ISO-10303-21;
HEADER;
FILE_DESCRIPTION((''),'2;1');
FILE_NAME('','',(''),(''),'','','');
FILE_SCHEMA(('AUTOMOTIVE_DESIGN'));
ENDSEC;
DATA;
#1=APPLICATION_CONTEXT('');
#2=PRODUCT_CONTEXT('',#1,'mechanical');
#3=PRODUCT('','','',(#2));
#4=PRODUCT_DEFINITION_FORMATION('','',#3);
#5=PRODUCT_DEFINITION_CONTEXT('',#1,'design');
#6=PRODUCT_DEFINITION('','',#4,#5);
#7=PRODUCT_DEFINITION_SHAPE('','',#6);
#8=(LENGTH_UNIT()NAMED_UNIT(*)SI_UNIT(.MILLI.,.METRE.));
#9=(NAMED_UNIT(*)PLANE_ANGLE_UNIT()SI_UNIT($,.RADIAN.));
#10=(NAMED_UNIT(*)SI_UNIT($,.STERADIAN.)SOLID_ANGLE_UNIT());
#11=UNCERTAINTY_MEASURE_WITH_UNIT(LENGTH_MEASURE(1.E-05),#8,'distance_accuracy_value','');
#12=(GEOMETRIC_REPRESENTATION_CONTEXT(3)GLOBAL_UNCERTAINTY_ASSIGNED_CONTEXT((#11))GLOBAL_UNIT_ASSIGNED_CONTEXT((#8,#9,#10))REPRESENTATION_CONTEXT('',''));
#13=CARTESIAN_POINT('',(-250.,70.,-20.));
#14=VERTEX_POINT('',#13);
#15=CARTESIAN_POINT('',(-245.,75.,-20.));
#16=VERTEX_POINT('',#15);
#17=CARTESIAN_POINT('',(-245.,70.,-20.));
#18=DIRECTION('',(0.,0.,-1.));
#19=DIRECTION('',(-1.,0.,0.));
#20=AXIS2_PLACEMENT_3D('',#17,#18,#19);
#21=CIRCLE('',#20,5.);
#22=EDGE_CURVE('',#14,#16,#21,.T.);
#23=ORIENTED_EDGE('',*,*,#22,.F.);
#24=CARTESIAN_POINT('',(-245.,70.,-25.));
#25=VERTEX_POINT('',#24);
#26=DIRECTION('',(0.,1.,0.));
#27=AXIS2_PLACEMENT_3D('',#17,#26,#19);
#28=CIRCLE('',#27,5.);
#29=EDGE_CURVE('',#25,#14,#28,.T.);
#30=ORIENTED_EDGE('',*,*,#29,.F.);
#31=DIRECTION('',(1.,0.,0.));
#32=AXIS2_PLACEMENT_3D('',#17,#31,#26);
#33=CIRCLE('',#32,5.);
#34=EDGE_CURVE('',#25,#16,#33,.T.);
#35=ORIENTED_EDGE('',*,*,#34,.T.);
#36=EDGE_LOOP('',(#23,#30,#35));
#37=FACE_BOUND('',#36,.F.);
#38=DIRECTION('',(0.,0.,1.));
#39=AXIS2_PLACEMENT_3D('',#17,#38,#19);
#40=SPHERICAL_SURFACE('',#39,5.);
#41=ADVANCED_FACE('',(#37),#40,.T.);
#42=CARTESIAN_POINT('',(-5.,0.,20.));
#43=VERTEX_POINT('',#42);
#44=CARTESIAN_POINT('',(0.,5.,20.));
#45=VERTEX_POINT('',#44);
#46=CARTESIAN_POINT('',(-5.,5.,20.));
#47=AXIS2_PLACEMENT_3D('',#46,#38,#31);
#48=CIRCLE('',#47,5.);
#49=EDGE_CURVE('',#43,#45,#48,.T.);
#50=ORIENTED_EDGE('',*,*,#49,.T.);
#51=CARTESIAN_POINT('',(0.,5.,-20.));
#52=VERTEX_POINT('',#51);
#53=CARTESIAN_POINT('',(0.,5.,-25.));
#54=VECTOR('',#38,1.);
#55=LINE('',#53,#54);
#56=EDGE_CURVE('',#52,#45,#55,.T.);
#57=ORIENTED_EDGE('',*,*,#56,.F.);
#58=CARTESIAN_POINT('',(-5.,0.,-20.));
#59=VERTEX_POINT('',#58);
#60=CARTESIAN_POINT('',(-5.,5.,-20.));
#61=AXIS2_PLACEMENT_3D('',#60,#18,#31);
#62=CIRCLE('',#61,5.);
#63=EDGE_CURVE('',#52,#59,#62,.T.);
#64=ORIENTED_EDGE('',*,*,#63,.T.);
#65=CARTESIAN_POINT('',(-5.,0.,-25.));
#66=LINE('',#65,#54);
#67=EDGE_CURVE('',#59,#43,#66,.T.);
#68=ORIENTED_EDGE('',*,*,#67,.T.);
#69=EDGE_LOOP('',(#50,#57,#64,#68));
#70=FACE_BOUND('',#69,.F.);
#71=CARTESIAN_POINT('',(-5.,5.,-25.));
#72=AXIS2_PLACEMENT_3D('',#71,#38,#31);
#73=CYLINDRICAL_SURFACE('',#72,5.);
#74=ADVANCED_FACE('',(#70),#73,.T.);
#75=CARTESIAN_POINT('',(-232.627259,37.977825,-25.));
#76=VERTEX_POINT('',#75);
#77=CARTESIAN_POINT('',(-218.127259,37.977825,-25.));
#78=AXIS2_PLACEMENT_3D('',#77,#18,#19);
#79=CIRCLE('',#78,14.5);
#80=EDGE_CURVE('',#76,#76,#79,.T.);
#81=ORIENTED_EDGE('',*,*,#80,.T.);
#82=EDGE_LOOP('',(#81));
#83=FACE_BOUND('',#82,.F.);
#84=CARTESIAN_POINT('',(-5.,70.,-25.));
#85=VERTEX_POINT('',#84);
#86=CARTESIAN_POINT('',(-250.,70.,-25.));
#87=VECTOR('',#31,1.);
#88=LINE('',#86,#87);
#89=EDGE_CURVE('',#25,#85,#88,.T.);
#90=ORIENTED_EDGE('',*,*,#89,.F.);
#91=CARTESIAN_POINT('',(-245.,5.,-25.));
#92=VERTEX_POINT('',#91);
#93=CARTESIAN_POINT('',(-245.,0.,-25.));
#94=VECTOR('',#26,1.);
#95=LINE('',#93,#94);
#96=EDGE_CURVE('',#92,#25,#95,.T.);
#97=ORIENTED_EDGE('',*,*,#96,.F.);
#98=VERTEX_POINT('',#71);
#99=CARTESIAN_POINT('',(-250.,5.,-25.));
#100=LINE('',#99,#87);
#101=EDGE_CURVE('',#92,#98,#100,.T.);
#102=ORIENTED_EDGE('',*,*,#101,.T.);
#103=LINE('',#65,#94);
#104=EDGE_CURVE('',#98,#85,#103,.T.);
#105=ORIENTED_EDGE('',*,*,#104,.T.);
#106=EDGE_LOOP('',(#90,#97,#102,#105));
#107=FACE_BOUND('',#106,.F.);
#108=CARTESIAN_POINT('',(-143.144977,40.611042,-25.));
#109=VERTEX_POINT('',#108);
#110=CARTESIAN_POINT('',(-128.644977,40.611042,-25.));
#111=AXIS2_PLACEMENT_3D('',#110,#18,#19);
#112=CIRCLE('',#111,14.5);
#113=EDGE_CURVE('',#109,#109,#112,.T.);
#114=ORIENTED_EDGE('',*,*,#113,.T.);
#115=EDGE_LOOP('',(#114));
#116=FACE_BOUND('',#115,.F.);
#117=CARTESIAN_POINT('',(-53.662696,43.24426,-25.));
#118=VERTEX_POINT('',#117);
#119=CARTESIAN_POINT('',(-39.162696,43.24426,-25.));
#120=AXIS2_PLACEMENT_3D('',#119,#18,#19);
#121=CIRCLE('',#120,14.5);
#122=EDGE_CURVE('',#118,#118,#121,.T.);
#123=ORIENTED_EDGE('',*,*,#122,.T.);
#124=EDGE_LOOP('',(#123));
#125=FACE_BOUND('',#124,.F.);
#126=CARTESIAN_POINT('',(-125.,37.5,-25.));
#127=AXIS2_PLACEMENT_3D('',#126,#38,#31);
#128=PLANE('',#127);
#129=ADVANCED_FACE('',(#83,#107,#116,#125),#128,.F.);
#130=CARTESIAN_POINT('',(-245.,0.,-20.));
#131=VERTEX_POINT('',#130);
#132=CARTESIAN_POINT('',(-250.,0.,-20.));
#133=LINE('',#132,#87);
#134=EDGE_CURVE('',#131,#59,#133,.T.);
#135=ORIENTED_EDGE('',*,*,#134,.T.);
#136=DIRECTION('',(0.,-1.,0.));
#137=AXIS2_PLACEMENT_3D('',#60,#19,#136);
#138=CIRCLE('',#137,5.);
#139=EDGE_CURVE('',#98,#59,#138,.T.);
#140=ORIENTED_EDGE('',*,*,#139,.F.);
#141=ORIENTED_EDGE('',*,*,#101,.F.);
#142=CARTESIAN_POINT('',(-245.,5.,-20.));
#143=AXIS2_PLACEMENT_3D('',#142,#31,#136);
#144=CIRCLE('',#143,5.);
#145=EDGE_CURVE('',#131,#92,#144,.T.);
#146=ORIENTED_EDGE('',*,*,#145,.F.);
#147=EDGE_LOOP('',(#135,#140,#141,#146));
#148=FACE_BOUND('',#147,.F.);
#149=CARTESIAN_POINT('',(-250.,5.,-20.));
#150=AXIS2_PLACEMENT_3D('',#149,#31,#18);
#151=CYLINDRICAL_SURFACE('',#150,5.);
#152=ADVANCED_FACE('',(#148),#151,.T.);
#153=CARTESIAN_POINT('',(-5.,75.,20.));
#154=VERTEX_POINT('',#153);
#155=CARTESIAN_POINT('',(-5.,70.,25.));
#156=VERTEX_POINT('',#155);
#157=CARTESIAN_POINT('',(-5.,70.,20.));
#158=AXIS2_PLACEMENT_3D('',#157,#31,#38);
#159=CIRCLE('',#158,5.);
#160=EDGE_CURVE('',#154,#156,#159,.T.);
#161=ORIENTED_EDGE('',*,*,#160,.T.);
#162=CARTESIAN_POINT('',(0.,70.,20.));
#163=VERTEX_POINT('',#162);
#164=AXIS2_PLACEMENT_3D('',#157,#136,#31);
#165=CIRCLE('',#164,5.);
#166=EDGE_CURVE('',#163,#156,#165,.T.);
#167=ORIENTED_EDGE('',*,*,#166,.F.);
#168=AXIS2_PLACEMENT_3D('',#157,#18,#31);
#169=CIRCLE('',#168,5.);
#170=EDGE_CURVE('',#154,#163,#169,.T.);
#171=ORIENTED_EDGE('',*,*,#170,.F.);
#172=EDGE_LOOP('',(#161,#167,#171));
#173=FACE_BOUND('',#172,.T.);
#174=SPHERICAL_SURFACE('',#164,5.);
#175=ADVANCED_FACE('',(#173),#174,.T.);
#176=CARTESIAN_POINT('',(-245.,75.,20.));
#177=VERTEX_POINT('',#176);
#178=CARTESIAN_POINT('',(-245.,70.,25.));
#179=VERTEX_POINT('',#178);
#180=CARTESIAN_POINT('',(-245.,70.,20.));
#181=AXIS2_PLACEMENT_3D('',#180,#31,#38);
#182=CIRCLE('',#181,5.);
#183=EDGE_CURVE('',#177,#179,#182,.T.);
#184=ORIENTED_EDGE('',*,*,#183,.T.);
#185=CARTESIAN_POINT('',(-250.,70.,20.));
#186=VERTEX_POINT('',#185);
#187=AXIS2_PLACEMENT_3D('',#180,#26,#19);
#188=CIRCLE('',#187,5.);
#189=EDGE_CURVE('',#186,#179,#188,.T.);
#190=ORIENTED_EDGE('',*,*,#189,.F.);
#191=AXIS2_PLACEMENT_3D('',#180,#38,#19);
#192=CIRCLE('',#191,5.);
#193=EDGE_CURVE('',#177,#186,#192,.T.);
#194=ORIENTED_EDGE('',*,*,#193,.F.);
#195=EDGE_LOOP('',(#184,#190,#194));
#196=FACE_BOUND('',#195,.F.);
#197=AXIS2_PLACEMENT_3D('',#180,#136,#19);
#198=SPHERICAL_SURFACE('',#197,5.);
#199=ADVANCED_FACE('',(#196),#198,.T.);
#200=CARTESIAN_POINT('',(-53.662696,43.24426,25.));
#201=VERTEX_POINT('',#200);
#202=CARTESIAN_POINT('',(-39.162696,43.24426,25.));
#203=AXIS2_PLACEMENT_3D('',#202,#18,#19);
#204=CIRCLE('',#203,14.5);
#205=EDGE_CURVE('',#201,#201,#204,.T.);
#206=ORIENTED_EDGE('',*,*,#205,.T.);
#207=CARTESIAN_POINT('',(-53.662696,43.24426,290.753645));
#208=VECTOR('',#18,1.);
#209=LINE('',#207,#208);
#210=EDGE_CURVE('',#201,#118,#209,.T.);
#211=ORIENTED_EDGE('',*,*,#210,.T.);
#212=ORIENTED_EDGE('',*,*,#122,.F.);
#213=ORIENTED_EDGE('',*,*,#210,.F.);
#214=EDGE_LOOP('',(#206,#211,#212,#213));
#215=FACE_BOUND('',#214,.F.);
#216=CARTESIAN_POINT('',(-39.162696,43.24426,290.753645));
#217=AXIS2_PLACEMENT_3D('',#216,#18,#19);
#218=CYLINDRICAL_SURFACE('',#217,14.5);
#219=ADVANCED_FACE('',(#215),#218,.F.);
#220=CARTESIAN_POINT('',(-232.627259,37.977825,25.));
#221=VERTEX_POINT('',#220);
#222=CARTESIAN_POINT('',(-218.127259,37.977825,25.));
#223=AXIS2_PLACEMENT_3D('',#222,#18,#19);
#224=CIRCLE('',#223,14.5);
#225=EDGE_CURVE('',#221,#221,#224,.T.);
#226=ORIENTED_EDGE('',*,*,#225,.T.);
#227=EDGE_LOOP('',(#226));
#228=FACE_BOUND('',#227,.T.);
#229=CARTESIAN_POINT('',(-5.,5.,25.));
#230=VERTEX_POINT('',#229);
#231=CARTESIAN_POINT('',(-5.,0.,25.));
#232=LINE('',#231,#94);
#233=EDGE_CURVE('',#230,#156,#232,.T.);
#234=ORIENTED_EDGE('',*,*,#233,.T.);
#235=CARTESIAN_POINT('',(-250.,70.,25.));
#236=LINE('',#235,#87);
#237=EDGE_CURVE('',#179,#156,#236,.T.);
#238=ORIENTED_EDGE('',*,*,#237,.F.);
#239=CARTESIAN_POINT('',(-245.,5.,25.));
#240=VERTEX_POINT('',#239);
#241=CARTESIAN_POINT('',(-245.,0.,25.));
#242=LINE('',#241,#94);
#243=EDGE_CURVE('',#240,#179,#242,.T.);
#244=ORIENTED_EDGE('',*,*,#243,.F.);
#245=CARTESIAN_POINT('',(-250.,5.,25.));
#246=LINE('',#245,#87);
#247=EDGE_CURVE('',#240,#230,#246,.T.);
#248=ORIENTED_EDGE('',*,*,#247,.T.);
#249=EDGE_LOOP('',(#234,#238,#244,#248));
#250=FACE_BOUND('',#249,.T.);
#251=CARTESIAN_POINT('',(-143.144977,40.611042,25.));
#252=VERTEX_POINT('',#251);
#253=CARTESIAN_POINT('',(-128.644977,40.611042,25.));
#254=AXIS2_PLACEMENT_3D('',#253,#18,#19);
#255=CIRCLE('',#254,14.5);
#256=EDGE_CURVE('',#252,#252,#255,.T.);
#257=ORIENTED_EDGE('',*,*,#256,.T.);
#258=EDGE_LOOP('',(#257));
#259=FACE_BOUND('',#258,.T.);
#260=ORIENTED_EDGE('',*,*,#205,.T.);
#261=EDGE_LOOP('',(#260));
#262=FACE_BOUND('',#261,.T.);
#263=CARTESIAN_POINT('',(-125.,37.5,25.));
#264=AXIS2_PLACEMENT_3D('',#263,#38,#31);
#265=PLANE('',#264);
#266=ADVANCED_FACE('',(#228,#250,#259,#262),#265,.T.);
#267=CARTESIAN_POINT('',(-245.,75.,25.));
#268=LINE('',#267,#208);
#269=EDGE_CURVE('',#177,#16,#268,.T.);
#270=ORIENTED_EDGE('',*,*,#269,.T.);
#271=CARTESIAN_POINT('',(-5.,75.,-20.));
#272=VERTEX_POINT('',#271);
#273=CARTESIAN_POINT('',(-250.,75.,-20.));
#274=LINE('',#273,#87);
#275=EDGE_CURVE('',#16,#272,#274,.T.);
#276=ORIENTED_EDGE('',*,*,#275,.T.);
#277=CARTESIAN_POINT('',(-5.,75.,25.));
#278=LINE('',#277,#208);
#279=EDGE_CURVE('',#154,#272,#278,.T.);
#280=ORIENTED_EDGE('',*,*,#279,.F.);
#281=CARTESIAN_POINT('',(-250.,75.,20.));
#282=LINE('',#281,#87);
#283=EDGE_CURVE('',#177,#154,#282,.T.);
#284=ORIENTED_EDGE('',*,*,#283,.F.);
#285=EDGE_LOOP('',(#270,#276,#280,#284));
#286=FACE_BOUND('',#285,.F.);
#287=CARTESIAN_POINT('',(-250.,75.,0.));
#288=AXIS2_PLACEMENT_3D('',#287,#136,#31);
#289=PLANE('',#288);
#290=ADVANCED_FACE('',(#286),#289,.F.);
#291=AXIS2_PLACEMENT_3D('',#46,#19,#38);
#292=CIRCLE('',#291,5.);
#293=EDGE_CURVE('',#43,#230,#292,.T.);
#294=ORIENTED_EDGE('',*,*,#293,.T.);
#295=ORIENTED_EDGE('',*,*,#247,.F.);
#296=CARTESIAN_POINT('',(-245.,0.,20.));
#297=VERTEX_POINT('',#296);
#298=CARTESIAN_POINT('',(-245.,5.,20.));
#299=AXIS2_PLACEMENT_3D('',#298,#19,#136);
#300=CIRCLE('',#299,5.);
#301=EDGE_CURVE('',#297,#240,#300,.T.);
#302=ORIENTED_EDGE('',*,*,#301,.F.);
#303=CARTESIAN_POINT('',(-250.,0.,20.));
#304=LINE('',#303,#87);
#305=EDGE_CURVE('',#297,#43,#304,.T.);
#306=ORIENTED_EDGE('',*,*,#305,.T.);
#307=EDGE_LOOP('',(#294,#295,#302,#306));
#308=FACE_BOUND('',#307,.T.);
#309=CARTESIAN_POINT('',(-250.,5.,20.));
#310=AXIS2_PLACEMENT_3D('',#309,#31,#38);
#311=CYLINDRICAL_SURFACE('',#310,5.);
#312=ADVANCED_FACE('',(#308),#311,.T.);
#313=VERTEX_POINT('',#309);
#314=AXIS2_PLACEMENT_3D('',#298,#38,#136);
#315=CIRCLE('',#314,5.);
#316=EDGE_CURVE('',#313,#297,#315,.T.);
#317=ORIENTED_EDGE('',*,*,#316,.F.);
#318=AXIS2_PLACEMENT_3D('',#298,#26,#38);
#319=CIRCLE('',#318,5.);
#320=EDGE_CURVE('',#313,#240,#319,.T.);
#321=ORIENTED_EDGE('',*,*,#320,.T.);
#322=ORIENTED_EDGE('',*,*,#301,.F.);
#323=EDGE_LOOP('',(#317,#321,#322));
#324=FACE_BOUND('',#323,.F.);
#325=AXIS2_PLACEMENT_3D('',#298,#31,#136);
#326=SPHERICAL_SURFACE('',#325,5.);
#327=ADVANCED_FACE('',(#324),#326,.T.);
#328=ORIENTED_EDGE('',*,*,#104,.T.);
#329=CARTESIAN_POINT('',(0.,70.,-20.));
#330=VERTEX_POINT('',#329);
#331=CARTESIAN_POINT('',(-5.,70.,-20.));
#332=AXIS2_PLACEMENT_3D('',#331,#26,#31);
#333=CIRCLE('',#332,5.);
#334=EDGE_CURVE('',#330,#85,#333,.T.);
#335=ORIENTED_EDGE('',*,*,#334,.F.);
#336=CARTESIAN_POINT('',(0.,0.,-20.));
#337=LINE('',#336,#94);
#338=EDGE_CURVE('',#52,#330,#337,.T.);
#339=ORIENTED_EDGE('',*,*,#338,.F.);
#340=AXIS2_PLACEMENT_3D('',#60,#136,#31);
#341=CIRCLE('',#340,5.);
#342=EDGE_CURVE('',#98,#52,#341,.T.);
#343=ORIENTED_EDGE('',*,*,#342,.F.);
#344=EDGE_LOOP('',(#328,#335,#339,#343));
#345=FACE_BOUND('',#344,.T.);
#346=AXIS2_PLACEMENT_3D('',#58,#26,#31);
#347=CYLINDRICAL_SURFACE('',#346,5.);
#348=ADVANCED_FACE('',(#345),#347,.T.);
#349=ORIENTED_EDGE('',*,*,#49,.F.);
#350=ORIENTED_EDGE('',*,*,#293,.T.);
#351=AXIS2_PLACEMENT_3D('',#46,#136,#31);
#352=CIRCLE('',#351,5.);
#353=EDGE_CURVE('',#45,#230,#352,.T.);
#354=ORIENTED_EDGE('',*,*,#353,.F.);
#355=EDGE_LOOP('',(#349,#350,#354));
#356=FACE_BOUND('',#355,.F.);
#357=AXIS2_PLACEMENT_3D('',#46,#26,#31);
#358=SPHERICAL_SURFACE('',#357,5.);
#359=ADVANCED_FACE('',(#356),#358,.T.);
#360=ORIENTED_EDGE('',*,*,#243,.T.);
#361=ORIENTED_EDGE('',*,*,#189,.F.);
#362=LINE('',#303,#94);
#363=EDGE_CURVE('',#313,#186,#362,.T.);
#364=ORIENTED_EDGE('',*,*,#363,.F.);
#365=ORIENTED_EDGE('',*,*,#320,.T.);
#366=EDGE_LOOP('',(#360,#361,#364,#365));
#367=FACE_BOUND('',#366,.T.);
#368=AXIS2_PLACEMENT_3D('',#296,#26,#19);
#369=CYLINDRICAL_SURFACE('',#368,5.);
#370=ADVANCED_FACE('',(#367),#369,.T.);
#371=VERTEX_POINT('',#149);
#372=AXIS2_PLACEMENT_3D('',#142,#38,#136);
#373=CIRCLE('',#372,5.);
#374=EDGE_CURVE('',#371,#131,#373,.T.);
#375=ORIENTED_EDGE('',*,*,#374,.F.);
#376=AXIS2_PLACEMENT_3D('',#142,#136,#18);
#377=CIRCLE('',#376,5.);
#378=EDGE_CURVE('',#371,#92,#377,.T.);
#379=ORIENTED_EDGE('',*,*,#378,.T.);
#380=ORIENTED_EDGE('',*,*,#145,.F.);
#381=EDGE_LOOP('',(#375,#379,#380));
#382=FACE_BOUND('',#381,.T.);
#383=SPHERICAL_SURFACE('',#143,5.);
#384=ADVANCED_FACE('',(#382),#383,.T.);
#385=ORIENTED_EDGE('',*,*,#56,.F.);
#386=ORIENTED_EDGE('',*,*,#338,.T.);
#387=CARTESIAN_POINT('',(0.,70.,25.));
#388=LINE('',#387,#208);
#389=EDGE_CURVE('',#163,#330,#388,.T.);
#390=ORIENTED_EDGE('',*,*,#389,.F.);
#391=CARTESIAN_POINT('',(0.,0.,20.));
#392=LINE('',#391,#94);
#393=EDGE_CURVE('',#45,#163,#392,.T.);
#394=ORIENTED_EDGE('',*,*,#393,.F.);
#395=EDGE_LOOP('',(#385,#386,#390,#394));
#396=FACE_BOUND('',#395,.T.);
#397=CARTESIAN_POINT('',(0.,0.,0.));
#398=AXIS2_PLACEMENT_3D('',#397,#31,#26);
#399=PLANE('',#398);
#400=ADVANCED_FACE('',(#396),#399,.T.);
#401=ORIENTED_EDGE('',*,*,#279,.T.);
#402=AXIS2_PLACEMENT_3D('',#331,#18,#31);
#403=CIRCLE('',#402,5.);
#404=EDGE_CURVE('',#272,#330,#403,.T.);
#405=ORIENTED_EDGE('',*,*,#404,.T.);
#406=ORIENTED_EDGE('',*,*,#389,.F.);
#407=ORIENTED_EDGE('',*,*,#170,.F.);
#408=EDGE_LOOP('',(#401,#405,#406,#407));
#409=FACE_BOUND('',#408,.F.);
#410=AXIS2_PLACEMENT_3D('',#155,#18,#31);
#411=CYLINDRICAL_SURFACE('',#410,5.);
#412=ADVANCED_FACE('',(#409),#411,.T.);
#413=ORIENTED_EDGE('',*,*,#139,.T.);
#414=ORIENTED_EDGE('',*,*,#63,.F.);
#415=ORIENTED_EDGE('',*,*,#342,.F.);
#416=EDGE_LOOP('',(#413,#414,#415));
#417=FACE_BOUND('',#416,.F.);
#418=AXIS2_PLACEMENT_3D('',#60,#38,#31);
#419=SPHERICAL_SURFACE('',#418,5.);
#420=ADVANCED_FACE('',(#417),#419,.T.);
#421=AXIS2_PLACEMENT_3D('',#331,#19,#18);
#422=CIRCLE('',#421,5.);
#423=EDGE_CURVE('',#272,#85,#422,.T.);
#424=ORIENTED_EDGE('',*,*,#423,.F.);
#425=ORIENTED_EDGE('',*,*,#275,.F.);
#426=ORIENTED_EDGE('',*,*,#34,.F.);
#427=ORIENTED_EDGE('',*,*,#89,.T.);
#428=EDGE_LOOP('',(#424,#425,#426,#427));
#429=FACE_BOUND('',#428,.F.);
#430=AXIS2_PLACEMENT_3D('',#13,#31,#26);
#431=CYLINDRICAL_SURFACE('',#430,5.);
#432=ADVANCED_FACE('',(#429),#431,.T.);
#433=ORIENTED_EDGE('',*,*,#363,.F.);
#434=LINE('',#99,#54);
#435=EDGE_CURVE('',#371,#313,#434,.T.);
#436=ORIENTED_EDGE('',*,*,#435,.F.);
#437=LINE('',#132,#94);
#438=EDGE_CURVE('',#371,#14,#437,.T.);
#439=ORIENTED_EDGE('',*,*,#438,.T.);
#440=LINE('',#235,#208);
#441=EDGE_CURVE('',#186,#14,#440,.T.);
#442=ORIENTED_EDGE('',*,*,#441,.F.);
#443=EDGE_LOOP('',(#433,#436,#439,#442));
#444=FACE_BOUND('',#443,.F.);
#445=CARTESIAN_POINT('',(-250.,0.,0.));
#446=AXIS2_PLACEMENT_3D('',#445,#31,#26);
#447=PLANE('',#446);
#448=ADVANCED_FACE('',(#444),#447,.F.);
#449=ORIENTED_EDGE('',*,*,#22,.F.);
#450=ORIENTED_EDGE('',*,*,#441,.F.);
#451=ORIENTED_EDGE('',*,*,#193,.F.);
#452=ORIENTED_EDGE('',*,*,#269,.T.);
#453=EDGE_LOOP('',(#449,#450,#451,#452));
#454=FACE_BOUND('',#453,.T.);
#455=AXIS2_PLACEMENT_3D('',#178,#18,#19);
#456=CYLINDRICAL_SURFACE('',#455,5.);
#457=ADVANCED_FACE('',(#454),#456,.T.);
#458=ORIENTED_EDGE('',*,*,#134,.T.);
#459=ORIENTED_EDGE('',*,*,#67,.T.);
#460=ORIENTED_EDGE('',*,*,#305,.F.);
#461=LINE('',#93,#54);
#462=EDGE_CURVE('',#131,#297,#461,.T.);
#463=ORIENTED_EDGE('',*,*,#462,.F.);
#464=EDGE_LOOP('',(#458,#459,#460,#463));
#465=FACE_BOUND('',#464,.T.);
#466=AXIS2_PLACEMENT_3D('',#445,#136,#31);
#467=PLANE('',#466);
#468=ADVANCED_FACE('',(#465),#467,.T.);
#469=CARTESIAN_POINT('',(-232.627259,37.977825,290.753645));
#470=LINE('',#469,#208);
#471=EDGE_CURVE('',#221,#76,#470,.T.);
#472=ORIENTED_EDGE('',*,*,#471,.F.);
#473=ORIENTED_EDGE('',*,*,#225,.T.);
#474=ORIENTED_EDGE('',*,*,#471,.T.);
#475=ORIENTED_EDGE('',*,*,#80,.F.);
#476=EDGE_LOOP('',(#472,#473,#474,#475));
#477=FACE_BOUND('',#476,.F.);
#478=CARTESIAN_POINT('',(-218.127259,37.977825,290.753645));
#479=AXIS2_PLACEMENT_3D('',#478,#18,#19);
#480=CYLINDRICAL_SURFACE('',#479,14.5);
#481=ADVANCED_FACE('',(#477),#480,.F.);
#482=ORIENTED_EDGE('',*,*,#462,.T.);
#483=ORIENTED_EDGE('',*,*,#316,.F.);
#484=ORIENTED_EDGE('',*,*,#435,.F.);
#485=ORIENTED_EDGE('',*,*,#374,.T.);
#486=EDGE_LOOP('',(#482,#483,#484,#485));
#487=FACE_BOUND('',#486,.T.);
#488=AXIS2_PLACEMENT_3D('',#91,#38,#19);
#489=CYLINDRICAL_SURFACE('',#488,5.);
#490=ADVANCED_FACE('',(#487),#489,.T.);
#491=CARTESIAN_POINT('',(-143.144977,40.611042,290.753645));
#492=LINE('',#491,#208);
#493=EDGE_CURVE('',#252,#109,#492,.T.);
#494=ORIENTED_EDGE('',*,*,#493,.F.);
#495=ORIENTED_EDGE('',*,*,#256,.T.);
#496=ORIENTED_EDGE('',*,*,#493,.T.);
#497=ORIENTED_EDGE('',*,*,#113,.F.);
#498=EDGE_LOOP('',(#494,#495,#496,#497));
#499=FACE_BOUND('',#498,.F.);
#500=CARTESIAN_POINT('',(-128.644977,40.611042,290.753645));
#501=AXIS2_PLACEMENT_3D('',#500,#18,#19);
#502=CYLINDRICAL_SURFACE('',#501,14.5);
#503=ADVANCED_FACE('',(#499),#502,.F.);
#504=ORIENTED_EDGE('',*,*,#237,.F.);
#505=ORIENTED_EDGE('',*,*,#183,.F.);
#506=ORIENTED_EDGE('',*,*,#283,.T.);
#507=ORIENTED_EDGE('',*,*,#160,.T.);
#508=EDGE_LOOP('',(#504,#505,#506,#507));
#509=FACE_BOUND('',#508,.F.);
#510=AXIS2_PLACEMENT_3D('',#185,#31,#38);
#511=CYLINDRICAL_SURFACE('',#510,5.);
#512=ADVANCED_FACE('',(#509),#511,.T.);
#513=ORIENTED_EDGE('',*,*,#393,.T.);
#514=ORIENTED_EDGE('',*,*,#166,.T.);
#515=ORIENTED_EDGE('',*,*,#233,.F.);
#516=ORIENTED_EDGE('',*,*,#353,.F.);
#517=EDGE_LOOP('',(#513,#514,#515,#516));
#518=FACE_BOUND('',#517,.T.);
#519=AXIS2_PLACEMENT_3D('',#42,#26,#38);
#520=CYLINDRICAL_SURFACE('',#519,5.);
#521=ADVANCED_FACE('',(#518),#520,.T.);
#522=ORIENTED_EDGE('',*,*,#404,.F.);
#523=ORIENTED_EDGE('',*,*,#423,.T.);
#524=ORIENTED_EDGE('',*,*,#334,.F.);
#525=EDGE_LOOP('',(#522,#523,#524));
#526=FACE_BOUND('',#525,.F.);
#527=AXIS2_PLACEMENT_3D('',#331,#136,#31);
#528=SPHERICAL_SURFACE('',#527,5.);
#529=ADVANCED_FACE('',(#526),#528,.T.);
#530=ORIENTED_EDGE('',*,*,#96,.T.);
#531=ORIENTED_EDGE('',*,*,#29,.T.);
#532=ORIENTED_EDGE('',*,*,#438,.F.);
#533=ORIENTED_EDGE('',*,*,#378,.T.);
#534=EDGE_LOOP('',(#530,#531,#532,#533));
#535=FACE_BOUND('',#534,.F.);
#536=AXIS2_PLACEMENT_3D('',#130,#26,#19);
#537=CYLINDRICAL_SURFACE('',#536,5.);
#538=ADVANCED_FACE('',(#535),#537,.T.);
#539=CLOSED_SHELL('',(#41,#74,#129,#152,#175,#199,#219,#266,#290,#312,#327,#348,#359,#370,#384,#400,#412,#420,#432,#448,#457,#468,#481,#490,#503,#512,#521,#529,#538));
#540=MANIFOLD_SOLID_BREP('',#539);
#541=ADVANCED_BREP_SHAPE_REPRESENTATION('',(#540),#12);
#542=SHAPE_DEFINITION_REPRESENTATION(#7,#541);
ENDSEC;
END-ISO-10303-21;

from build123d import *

# Parameters (mm, degrees)
F0_W     = 250
F0_H     = 75
F1_DEPTH = 25
F2_R     = 5
F4_D     = 29
F5_D     = 29
F6_D     = 29


with BuildPart() as f1:
    # F0 (on Top) → F1 (new body, symmetric)
    with BuildSketch(Plane.XY):
        with Locations((-125, 37.5)):
            Rectangle(F0_W, F0_H)
    extrude(amount=F1_DEPTH, both=True)

    # F2
    f2_edges = [f1.edges().sort_by_distance(p)[0] for p in [
        (0, 37.5, 25),
        (0, 0, 0),
        (0, 37.5, -25),
        (0, 75, 0),
        (-125, 0, -25),
        (-125, 0, 25),
        (-250, 0, 0),
        (-250, 37.5, 25),
        (-250, 75, 0),
        (-250, 37.5, -25),
        (-125, 75, -25),
        (-125, 75, 25),
    ]]
    fillet(f2_edges, radius=F2_R)

    # F4 (through all)
    with Locations(Plane.XY.offset(25)):
        with Locations((-128.644977, 40.611042)):
            Hole(F4_D / 2)

    # F5 (through all)
    with Locations(Plane.XY.offset(25)):
        with Locations((-39.162696, 43.24426)):
            Hole(F5_D / 2)

    # F6 (through all)
    with Locations(Plane.XY.offset(25)):
        with Locations((-218.127259, 37.977825)):
            Hole(F6_D / 2)


solid = f1.part
